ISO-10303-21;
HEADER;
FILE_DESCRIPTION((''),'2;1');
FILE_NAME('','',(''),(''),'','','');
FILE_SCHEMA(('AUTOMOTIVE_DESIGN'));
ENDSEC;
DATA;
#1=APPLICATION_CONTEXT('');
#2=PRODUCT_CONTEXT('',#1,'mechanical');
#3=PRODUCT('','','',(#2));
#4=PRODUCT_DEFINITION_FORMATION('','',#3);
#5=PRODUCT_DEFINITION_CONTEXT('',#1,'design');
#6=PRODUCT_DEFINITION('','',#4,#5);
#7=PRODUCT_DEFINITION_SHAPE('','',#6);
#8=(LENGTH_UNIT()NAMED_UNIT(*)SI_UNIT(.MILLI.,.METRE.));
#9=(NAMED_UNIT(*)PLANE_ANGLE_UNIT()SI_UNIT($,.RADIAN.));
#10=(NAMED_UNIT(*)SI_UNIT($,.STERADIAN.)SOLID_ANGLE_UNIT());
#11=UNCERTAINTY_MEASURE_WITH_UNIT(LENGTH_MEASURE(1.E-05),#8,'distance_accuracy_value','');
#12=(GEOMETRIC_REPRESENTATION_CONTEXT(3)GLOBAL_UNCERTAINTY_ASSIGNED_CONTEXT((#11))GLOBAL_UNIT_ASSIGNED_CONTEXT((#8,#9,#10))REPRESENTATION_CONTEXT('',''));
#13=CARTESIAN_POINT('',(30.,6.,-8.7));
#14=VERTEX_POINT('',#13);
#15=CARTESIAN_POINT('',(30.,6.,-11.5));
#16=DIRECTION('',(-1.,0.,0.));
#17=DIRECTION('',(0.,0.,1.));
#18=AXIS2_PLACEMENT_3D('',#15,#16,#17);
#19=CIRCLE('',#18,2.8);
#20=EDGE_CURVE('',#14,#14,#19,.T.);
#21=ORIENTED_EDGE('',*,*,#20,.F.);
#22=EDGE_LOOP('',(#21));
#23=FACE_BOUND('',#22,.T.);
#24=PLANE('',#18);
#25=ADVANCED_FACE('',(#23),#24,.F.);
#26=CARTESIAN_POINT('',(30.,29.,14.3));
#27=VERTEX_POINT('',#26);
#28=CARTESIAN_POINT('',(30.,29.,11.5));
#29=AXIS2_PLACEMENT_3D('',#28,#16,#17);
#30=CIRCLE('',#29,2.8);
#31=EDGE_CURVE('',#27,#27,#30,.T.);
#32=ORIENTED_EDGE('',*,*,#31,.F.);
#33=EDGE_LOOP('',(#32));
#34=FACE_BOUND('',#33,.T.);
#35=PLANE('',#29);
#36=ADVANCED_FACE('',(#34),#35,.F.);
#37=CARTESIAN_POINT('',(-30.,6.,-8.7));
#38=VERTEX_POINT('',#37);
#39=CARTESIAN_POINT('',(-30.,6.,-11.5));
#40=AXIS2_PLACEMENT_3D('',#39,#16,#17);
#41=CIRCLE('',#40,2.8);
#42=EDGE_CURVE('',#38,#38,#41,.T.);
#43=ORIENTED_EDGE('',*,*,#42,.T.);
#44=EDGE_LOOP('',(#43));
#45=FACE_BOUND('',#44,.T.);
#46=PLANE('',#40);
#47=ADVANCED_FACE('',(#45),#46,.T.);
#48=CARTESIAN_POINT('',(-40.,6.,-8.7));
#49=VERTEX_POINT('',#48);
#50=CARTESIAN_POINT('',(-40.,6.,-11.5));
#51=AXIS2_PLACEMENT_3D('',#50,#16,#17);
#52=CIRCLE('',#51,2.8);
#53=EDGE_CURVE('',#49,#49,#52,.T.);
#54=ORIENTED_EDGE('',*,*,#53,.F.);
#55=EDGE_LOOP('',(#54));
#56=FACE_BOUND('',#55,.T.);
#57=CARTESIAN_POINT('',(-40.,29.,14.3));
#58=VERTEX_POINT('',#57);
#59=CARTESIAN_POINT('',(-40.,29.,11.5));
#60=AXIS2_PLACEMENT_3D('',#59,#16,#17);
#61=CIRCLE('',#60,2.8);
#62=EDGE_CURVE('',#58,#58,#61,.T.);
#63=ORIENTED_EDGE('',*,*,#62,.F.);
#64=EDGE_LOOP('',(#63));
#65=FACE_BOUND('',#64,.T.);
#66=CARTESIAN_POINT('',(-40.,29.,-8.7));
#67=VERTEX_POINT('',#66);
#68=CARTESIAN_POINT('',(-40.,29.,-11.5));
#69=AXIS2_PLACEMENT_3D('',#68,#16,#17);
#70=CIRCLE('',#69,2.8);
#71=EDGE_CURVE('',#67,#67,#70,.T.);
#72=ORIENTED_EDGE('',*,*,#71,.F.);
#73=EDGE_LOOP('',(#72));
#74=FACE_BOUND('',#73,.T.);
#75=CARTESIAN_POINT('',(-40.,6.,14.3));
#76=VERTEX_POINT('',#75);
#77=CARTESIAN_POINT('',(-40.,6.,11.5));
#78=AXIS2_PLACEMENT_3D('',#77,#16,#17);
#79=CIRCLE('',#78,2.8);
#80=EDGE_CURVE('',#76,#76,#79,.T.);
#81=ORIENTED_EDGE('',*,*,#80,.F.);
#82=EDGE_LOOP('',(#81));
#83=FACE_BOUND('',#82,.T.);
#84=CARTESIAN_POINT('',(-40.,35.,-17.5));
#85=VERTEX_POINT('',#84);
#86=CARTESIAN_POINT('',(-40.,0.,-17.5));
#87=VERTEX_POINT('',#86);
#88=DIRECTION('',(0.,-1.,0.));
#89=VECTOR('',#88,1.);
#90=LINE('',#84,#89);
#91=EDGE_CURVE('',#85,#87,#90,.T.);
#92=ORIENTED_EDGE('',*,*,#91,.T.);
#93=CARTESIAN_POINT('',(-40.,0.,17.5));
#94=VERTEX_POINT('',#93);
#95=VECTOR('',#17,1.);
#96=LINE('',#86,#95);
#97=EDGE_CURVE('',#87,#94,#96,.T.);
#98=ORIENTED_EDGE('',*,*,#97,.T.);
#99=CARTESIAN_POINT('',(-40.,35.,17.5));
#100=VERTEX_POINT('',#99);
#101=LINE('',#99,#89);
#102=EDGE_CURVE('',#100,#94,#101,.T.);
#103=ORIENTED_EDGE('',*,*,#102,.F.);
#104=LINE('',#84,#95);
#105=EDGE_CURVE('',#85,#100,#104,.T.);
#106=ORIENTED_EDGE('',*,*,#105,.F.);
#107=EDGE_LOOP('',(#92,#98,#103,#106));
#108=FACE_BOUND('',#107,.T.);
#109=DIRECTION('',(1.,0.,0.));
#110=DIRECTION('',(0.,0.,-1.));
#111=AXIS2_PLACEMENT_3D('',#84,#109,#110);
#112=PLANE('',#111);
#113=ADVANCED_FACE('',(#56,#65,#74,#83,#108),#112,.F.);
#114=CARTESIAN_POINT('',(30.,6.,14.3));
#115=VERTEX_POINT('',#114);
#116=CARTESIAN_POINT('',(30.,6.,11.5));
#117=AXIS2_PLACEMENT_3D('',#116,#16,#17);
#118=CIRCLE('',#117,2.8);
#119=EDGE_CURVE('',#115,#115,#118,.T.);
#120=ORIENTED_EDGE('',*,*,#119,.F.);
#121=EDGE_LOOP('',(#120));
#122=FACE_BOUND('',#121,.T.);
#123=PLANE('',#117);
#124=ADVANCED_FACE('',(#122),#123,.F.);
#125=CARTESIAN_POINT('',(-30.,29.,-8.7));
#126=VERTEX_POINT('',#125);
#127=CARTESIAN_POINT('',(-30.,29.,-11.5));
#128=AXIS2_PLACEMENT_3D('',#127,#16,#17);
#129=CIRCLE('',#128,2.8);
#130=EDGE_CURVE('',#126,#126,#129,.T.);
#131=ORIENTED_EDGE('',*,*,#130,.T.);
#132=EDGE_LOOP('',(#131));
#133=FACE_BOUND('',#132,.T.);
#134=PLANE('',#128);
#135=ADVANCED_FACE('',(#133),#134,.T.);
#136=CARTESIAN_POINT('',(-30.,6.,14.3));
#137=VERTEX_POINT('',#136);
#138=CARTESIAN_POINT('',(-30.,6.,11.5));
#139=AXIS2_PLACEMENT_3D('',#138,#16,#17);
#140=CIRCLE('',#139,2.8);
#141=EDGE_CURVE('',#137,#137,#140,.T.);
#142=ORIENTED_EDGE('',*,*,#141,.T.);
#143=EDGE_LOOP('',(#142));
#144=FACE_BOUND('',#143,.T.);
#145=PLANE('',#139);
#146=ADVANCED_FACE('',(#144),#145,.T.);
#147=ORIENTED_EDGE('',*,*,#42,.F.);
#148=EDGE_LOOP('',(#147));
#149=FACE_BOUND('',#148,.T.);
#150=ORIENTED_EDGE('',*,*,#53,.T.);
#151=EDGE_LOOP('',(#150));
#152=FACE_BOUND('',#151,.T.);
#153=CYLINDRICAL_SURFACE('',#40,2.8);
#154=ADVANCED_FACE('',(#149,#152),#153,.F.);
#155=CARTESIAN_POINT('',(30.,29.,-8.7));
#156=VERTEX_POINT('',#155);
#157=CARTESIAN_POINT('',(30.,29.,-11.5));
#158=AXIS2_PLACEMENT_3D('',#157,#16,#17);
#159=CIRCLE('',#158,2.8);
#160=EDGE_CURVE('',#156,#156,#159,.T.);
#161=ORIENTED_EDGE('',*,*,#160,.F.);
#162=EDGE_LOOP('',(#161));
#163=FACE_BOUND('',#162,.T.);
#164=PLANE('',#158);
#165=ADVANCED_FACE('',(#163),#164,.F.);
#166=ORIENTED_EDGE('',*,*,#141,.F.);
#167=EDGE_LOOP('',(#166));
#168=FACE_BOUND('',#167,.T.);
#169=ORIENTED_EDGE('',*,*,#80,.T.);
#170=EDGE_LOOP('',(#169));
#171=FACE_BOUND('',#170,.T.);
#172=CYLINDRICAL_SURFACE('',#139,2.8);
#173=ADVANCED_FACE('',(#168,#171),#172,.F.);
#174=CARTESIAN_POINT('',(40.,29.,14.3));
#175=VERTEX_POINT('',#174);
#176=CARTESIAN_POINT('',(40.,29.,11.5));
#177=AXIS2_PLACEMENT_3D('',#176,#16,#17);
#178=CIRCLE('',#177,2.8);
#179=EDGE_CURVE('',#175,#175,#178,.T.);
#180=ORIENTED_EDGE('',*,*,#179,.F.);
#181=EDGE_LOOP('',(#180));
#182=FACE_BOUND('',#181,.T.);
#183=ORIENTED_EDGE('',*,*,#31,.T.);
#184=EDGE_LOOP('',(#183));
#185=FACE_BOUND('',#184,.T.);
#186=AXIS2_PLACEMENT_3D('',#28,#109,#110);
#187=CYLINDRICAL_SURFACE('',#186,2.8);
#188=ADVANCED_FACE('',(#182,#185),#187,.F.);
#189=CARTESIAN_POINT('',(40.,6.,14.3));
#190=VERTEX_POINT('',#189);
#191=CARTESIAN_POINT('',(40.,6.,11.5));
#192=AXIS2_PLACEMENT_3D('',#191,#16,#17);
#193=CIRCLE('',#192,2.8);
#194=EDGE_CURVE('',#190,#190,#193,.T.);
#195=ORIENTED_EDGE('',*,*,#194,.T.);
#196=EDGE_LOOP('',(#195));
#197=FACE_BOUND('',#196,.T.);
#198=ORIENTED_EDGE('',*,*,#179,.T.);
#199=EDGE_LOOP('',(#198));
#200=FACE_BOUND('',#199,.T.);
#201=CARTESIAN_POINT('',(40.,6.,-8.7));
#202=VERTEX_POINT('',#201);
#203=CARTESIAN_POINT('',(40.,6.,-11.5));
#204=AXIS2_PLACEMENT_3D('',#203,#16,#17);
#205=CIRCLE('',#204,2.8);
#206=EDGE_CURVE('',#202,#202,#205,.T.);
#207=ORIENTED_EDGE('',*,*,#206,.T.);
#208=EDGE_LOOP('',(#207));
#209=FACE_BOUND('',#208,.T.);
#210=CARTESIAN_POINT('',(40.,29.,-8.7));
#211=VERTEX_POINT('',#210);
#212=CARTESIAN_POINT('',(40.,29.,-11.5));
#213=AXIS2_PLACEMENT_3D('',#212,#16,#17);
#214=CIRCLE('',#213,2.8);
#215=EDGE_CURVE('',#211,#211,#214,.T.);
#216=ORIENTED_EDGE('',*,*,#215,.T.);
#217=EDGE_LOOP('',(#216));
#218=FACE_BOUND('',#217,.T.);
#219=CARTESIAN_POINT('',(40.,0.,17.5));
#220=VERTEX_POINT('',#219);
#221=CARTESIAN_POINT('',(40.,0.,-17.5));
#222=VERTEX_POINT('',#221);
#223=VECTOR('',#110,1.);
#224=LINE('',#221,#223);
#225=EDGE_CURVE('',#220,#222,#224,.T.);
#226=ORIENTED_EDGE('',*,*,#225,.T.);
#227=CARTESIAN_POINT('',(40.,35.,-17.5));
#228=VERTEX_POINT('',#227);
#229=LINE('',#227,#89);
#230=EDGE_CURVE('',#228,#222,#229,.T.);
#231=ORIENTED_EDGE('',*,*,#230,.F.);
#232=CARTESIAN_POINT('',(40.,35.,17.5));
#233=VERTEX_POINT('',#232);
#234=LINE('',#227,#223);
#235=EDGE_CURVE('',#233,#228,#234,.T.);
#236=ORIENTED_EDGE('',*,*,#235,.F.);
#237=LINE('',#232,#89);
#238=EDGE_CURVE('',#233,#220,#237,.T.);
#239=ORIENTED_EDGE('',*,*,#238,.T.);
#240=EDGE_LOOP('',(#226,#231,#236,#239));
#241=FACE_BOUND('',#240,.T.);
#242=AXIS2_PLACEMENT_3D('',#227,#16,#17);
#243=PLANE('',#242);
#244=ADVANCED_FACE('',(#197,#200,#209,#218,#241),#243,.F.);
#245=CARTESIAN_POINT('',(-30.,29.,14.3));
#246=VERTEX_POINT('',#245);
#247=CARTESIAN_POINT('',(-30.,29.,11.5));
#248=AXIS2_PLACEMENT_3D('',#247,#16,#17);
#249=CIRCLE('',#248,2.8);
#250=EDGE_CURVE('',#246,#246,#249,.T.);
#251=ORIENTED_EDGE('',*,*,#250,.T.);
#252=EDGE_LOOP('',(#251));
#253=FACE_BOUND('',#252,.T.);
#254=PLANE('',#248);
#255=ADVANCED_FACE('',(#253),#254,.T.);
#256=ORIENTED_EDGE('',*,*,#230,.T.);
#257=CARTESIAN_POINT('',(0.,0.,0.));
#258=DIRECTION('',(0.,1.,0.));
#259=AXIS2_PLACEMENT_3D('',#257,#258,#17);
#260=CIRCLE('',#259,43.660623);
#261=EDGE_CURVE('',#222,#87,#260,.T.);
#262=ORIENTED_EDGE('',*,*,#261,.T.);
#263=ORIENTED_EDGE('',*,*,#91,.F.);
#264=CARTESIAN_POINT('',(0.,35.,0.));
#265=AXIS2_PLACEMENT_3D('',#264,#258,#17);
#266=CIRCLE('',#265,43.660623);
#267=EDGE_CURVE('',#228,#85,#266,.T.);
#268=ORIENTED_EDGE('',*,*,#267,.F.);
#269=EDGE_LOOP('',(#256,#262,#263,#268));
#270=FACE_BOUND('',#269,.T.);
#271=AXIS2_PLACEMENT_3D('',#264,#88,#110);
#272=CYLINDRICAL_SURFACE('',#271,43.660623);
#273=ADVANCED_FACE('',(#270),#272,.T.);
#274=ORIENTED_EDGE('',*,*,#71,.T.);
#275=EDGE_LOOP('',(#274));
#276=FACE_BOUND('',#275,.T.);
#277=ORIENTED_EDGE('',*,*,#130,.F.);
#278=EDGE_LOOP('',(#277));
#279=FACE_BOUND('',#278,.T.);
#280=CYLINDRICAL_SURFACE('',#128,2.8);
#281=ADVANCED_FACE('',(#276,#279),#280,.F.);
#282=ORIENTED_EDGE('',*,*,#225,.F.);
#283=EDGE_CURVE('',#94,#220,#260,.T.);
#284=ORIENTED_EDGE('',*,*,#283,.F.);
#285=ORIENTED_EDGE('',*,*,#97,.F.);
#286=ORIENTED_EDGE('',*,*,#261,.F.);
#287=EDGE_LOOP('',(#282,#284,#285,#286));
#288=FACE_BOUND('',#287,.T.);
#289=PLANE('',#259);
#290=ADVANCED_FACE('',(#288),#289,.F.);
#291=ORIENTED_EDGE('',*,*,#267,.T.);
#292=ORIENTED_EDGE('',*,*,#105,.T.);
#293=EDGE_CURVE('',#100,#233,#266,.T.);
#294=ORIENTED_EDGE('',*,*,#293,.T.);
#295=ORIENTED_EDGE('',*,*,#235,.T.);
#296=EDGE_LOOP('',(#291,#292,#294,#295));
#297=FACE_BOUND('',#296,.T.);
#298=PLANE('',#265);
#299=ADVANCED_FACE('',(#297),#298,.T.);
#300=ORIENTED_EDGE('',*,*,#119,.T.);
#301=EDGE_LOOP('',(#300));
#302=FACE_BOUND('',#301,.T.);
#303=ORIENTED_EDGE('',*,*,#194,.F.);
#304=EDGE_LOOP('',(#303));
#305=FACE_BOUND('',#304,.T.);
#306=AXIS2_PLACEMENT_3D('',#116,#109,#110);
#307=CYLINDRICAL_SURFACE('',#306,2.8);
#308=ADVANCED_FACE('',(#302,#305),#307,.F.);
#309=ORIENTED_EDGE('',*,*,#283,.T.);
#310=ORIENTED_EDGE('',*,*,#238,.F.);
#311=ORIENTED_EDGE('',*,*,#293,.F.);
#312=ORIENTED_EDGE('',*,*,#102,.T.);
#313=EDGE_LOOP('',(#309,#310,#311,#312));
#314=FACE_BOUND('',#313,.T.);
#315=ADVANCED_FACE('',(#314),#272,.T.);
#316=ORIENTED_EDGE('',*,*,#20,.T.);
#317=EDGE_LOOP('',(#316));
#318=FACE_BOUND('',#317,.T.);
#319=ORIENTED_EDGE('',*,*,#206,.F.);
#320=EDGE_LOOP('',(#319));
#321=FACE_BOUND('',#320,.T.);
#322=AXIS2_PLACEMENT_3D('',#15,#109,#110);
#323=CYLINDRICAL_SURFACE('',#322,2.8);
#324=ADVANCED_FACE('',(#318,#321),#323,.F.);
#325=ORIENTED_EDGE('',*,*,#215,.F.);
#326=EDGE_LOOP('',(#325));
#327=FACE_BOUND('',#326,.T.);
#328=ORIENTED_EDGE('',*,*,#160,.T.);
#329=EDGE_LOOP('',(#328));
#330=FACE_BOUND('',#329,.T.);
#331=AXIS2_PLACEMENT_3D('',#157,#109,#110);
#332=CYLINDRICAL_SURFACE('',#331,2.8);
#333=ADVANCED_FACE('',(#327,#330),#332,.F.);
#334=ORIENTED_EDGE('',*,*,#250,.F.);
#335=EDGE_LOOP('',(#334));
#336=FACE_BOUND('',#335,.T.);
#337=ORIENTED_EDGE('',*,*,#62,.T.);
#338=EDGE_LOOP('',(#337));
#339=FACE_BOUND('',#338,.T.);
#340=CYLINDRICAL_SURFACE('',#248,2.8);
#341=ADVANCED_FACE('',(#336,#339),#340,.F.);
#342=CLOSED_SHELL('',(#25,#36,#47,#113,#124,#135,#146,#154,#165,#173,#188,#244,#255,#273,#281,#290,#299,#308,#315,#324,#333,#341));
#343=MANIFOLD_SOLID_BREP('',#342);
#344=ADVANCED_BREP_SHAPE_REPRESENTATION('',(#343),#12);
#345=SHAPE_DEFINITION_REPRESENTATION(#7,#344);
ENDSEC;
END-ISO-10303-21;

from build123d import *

# Parameters (mm, degrees)
BOSS_EXTRUDE1_DEPTH = 35
SKETCH2_R           = 2.8
CUT_EXTRUDE1_DEPTH  = 10
CUT_EXTRUDE2_START  = -80
SKETCH2_2_R         = 2.8
CUT_EXTRUDE2_DEPTH  = 10


with BuildPart() as part:
    # Sketch1 → Boss-Extrude1 (new body)
    with BuildSketch(Plane(origin=(0, 0, 0), x_dir=(1, 0, 0), z_dir=(0, 1, 0))):
        with BuildLine():
            Line((-40, 17.5), (-40, -17.5))
            ThreePointArc((-40, -17.5), (0, -43.660622991), (40, -17.5))
            Line((40, -17.5), (40, 17.5))
            ThreePointArc((40, 17.5), (0, 43.660622991), (-40, 17.5))
        make_face()
    extrude(amount=BOSS_EXTRUDE1_DEPTH)

    # Sketch2 → Cut-Extrude1 (cut)
    with BuildSketch(Plane.ZY.offset(40)):
        with Locations((-11.5, 29)):
            Circle(SKETCH2_R)
        with Locations((11.5, 29)):
            Circle(SKETCH2_R)
        with Locations((-11.5, 6)):
            Circle(SKETCH2_R)
        with Locations((11.5, 6)):
            Circle(SKETCH2_R)
    extrude(amount=-CUT_EXTRUDE1_DEPTH, mode=Mode.SUBTRACT)

    # Sketch2<2> → Cut-Extrude2 (cut)
    with BuildSketch(Plane.ZY.offset(40).offset(CUT_EXTRUDE2_START)):
        with Locations((-11.5, 29)):
            Circle(SKETCH2_2_R)
        with Locations((11.5, 29)):
            Circle(SKETCH2_2_R)
        with Locations((-11.5, 6)):
            Circle(SKETCH2_2_R)
        with Locations((11.5, 6)):
            Circle(SKETCH2_2_R)
    extrude(amount=CUT_EXTRUDE2_DEPTH, mode=Mode.SUBTRACT)


solid = part.part
